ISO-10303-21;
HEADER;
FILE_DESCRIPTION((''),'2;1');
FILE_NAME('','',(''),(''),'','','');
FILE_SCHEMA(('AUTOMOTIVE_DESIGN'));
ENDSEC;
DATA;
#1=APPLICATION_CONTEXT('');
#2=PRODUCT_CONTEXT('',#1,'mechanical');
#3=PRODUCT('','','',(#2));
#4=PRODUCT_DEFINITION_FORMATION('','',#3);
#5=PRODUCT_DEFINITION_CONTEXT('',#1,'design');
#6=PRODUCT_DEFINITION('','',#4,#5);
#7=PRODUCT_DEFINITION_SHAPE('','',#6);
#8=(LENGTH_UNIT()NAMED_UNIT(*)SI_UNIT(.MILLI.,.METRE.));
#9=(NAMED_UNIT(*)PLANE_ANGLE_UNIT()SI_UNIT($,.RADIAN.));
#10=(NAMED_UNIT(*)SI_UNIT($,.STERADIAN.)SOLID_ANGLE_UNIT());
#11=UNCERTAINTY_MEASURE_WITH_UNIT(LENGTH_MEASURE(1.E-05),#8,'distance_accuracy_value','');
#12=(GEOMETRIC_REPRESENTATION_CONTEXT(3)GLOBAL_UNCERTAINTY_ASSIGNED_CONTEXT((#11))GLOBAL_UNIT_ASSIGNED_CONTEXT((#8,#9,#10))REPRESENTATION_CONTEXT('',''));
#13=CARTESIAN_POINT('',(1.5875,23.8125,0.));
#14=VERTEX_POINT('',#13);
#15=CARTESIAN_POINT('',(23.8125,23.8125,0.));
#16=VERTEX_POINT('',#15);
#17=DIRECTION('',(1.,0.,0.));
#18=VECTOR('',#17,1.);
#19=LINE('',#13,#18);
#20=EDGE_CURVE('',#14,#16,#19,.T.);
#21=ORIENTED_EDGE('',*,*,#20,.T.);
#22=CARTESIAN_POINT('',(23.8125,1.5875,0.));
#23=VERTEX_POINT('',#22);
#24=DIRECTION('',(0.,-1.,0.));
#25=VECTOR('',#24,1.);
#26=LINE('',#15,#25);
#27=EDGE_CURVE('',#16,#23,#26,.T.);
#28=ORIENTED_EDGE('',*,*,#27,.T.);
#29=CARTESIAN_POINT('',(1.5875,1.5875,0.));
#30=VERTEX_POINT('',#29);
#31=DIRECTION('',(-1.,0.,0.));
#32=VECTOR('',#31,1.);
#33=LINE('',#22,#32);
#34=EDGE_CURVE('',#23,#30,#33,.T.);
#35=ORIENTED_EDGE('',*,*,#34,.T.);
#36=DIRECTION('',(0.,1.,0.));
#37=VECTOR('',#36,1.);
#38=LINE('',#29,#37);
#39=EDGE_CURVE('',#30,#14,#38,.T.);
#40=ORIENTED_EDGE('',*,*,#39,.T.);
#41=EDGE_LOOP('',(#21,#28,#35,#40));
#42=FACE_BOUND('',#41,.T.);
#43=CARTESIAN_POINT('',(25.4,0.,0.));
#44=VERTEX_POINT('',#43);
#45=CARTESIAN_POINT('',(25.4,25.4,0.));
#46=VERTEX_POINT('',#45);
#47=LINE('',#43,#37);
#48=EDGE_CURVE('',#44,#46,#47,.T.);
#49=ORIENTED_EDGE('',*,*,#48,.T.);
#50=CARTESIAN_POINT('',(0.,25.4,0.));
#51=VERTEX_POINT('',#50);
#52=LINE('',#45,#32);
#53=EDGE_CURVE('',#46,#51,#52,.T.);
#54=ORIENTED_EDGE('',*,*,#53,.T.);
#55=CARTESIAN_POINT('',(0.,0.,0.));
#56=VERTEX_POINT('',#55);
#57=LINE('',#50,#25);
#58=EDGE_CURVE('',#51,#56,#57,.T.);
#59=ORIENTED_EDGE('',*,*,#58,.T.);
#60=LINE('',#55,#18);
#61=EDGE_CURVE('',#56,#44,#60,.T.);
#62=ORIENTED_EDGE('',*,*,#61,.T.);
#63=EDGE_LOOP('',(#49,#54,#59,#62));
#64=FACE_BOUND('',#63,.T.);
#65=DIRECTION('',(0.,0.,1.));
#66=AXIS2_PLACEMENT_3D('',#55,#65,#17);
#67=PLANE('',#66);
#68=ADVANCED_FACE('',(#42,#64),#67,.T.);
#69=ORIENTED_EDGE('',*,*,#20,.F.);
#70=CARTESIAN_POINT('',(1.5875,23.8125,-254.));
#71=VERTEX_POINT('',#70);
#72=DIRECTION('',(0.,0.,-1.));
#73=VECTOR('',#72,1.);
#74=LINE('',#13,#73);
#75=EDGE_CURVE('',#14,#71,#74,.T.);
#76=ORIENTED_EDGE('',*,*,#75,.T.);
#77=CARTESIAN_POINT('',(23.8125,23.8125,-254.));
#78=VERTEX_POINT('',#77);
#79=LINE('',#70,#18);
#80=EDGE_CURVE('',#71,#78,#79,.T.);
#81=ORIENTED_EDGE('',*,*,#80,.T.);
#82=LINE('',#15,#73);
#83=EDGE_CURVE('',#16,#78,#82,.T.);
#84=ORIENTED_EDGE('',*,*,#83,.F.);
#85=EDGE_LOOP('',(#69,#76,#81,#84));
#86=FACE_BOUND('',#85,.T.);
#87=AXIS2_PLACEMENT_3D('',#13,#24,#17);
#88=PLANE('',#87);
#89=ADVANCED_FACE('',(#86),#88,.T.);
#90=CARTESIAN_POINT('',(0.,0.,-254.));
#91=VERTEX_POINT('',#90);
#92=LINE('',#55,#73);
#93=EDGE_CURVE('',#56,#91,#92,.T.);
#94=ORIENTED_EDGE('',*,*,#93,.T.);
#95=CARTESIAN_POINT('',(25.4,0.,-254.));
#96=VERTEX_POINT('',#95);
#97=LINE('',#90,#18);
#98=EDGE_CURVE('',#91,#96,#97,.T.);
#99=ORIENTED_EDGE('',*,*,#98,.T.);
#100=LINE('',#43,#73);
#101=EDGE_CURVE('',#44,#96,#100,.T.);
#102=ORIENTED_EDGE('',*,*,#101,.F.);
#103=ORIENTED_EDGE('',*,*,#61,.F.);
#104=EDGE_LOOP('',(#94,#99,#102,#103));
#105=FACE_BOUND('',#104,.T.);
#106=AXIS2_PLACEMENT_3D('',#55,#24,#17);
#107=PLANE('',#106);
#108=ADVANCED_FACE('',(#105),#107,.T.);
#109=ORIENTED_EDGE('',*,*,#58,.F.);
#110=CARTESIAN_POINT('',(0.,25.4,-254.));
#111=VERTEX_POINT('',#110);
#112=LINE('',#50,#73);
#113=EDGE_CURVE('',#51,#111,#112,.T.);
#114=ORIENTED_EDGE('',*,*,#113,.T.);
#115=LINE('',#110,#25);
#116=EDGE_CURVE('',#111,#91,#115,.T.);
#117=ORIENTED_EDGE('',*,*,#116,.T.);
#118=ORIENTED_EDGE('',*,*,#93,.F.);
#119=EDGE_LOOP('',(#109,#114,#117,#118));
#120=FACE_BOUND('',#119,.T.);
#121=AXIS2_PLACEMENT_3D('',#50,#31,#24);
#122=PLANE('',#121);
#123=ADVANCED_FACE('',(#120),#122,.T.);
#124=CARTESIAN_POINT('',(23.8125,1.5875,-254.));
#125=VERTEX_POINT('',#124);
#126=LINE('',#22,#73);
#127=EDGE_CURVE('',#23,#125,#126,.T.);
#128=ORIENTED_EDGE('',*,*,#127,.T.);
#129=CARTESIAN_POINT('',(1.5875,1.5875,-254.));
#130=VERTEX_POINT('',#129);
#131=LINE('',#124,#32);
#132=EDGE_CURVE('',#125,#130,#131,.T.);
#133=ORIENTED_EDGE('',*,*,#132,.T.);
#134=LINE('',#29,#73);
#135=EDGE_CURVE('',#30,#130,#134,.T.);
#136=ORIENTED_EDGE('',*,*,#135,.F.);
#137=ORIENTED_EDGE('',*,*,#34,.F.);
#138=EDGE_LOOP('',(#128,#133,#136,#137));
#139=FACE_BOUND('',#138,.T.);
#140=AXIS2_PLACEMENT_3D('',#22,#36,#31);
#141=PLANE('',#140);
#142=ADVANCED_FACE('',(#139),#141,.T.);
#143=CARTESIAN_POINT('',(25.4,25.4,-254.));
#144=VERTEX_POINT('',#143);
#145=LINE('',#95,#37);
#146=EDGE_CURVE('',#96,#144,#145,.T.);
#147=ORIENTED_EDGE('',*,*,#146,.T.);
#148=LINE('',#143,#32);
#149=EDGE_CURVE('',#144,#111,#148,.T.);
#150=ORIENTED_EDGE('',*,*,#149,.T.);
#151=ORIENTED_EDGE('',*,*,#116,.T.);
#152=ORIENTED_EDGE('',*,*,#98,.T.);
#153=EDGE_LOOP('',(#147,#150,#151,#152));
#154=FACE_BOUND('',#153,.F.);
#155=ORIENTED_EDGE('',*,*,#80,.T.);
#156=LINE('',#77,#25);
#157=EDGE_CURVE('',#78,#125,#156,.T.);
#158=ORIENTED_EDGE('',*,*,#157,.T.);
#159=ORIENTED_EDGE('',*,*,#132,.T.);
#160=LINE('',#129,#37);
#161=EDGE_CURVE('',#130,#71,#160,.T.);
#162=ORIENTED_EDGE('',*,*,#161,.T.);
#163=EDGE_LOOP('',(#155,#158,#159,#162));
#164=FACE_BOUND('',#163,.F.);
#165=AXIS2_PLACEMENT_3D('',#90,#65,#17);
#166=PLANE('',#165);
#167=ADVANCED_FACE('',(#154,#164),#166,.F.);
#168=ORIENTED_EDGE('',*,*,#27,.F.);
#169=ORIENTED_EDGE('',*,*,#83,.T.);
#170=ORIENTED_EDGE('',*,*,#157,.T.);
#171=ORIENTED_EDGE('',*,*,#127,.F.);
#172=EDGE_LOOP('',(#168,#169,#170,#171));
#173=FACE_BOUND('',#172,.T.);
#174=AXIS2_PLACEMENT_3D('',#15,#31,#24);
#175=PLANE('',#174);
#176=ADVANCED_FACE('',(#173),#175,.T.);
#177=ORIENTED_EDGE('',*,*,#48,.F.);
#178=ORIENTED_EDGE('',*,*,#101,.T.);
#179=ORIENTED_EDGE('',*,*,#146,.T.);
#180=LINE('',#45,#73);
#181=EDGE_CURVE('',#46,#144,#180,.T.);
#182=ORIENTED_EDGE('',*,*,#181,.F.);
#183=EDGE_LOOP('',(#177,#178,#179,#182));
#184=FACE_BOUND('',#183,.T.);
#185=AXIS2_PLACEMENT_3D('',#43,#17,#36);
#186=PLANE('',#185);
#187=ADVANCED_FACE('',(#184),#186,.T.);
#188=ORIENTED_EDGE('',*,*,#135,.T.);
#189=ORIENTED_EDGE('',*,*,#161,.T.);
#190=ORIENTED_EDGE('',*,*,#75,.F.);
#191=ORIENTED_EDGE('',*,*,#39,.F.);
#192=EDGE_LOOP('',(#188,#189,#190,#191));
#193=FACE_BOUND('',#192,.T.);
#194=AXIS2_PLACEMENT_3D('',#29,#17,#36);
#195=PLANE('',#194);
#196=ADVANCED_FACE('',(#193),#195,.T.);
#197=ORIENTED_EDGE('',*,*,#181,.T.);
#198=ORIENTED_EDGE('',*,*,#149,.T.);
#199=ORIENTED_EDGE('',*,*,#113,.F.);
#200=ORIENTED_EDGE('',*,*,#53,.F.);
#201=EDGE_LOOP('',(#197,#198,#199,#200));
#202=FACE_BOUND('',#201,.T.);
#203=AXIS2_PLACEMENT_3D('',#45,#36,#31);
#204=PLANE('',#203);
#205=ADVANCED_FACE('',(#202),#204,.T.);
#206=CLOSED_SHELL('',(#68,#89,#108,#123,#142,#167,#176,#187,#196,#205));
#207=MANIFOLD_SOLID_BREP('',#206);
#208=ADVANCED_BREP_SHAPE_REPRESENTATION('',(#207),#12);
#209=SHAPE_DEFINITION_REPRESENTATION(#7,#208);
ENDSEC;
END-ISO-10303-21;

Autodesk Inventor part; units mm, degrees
ref_plane "YZ Plane" through (0, 0, 0) normal (1, 0, 0) x (0, 1, 0)
ref_plane "XZ Plane" through (0, 0, 0) normal (0, 1, 0) x (-1, 0, 0)
ref_plane "XY Plane" through (0, 0, 0) normal (0, 0, 1) x (1, 0, 0)
sketch "Sketch1" plane through (0, 0, 0) normal (0, 0, 1) x (1, 0, 0)
  line L0 (0, 0) -> (25.4, 0)
  line L1 (25.4, 0) -> (25.4, 25.4)
  line L2 (25.4, 25.4) -> (0, 25.4)
  line L3 (0, 25.4) -> (0, 0)
  line L4 (1.5875, 23.8125) -> (23.8125, 23.8125)
  line L5 (23.8125, 23.8125) -> (23.8125, 1.5875)
  line L6 (23.8125, 1.5875) -> (1.5875, 1.5875)
  line L7 (1.5875, 1.5875) -> (1.5875, 23.8125)
  dimension "d0" = 25.4
  dimension "d1" = 25.4
  dimension "d2" = 1.5875
extrude "Extrusion1" add sketch "Sketch1" against normal blind 254
properties part number "1tube_10_Corner_grapper"
